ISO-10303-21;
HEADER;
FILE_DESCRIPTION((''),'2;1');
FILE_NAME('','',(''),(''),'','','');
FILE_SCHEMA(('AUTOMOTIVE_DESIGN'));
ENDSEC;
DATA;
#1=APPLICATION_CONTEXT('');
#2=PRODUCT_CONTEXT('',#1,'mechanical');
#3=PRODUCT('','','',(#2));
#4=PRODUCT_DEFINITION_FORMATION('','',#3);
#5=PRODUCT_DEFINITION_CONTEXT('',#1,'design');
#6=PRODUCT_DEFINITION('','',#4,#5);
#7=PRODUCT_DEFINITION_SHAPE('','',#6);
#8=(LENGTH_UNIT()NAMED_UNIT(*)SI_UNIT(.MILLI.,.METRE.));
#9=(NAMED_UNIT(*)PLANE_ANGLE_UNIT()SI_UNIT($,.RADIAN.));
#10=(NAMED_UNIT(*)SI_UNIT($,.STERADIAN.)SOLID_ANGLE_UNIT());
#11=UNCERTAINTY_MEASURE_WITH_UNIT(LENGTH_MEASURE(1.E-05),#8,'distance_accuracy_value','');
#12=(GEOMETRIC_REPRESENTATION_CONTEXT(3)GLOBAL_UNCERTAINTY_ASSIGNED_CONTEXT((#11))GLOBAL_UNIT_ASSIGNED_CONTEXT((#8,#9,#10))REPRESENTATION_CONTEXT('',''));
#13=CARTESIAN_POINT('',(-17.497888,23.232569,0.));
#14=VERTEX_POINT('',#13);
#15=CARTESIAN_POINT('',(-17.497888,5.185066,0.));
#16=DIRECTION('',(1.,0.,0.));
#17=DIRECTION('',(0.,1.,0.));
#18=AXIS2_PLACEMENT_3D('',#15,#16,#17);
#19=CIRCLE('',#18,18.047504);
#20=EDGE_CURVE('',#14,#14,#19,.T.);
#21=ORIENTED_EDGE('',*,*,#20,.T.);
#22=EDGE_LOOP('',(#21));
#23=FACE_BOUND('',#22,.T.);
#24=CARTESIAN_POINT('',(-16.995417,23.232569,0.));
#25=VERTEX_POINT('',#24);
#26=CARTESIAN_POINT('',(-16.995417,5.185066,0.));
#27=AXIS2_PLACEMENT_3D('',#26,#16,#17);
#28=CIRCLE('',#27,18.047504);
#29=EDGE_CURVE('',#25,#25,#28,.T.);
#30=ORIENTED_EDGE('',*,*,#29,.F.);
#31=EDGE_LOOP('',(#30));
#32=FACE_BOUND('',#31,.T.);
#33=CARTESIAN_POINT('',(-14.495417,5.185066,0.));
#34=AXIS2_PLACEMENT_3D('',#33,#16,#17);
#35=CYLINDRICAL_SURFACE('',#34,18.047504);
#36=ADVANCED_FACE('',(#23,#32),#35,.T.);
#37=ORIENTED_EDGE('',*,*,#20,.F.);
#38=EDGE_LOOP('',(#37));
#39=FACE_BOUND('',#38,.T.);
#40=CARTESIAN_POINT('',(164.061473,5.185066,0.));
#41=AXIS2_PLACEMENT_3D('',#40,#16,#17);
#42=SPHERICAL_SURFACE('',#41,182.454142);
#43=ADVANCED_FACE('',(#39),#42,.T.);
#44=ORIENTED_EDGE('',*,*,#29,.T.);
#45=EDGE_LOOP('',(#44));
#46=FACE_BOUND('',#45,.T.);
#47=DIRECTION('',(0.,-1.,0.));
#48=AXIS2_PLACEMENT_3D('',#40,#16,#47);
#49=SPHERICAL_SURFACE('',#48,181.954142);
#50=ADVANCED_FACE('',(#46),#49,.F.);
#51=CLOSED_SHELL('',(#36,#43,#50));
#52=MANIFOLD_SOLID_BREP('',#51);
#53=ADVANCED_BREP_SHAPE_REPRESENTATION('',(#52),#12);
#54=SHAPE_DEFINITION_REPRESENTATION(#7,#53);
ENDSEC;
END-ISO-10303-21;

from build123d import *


with BuildPart() as part:
    # Sketch1 → Revolve1 (revolve)
    with BuildSketch(Plane.XY):
        with BuildLine():
            Line((-16.995417101, 23.232569393), (-17.497888078, 23.232569393))
            ThreePointArc((-17.497888078, 23.232569393), (-18.168836589, 14.219901307), (-18.392669156, 5.185065564))
            Line((-18.392669156, 5.185065564), (-17.892669156, 5.185065564))
            ThreePointArc((-17.892669156, 5.185065564), (-17.668217705, 14.219962571), (-16.995417101, 23.232569393))
        make_face()
    revolve(axis=Axis((-14.495417101, 5.185065564, 0), (-1, 0, 0)))


solid = part.part
